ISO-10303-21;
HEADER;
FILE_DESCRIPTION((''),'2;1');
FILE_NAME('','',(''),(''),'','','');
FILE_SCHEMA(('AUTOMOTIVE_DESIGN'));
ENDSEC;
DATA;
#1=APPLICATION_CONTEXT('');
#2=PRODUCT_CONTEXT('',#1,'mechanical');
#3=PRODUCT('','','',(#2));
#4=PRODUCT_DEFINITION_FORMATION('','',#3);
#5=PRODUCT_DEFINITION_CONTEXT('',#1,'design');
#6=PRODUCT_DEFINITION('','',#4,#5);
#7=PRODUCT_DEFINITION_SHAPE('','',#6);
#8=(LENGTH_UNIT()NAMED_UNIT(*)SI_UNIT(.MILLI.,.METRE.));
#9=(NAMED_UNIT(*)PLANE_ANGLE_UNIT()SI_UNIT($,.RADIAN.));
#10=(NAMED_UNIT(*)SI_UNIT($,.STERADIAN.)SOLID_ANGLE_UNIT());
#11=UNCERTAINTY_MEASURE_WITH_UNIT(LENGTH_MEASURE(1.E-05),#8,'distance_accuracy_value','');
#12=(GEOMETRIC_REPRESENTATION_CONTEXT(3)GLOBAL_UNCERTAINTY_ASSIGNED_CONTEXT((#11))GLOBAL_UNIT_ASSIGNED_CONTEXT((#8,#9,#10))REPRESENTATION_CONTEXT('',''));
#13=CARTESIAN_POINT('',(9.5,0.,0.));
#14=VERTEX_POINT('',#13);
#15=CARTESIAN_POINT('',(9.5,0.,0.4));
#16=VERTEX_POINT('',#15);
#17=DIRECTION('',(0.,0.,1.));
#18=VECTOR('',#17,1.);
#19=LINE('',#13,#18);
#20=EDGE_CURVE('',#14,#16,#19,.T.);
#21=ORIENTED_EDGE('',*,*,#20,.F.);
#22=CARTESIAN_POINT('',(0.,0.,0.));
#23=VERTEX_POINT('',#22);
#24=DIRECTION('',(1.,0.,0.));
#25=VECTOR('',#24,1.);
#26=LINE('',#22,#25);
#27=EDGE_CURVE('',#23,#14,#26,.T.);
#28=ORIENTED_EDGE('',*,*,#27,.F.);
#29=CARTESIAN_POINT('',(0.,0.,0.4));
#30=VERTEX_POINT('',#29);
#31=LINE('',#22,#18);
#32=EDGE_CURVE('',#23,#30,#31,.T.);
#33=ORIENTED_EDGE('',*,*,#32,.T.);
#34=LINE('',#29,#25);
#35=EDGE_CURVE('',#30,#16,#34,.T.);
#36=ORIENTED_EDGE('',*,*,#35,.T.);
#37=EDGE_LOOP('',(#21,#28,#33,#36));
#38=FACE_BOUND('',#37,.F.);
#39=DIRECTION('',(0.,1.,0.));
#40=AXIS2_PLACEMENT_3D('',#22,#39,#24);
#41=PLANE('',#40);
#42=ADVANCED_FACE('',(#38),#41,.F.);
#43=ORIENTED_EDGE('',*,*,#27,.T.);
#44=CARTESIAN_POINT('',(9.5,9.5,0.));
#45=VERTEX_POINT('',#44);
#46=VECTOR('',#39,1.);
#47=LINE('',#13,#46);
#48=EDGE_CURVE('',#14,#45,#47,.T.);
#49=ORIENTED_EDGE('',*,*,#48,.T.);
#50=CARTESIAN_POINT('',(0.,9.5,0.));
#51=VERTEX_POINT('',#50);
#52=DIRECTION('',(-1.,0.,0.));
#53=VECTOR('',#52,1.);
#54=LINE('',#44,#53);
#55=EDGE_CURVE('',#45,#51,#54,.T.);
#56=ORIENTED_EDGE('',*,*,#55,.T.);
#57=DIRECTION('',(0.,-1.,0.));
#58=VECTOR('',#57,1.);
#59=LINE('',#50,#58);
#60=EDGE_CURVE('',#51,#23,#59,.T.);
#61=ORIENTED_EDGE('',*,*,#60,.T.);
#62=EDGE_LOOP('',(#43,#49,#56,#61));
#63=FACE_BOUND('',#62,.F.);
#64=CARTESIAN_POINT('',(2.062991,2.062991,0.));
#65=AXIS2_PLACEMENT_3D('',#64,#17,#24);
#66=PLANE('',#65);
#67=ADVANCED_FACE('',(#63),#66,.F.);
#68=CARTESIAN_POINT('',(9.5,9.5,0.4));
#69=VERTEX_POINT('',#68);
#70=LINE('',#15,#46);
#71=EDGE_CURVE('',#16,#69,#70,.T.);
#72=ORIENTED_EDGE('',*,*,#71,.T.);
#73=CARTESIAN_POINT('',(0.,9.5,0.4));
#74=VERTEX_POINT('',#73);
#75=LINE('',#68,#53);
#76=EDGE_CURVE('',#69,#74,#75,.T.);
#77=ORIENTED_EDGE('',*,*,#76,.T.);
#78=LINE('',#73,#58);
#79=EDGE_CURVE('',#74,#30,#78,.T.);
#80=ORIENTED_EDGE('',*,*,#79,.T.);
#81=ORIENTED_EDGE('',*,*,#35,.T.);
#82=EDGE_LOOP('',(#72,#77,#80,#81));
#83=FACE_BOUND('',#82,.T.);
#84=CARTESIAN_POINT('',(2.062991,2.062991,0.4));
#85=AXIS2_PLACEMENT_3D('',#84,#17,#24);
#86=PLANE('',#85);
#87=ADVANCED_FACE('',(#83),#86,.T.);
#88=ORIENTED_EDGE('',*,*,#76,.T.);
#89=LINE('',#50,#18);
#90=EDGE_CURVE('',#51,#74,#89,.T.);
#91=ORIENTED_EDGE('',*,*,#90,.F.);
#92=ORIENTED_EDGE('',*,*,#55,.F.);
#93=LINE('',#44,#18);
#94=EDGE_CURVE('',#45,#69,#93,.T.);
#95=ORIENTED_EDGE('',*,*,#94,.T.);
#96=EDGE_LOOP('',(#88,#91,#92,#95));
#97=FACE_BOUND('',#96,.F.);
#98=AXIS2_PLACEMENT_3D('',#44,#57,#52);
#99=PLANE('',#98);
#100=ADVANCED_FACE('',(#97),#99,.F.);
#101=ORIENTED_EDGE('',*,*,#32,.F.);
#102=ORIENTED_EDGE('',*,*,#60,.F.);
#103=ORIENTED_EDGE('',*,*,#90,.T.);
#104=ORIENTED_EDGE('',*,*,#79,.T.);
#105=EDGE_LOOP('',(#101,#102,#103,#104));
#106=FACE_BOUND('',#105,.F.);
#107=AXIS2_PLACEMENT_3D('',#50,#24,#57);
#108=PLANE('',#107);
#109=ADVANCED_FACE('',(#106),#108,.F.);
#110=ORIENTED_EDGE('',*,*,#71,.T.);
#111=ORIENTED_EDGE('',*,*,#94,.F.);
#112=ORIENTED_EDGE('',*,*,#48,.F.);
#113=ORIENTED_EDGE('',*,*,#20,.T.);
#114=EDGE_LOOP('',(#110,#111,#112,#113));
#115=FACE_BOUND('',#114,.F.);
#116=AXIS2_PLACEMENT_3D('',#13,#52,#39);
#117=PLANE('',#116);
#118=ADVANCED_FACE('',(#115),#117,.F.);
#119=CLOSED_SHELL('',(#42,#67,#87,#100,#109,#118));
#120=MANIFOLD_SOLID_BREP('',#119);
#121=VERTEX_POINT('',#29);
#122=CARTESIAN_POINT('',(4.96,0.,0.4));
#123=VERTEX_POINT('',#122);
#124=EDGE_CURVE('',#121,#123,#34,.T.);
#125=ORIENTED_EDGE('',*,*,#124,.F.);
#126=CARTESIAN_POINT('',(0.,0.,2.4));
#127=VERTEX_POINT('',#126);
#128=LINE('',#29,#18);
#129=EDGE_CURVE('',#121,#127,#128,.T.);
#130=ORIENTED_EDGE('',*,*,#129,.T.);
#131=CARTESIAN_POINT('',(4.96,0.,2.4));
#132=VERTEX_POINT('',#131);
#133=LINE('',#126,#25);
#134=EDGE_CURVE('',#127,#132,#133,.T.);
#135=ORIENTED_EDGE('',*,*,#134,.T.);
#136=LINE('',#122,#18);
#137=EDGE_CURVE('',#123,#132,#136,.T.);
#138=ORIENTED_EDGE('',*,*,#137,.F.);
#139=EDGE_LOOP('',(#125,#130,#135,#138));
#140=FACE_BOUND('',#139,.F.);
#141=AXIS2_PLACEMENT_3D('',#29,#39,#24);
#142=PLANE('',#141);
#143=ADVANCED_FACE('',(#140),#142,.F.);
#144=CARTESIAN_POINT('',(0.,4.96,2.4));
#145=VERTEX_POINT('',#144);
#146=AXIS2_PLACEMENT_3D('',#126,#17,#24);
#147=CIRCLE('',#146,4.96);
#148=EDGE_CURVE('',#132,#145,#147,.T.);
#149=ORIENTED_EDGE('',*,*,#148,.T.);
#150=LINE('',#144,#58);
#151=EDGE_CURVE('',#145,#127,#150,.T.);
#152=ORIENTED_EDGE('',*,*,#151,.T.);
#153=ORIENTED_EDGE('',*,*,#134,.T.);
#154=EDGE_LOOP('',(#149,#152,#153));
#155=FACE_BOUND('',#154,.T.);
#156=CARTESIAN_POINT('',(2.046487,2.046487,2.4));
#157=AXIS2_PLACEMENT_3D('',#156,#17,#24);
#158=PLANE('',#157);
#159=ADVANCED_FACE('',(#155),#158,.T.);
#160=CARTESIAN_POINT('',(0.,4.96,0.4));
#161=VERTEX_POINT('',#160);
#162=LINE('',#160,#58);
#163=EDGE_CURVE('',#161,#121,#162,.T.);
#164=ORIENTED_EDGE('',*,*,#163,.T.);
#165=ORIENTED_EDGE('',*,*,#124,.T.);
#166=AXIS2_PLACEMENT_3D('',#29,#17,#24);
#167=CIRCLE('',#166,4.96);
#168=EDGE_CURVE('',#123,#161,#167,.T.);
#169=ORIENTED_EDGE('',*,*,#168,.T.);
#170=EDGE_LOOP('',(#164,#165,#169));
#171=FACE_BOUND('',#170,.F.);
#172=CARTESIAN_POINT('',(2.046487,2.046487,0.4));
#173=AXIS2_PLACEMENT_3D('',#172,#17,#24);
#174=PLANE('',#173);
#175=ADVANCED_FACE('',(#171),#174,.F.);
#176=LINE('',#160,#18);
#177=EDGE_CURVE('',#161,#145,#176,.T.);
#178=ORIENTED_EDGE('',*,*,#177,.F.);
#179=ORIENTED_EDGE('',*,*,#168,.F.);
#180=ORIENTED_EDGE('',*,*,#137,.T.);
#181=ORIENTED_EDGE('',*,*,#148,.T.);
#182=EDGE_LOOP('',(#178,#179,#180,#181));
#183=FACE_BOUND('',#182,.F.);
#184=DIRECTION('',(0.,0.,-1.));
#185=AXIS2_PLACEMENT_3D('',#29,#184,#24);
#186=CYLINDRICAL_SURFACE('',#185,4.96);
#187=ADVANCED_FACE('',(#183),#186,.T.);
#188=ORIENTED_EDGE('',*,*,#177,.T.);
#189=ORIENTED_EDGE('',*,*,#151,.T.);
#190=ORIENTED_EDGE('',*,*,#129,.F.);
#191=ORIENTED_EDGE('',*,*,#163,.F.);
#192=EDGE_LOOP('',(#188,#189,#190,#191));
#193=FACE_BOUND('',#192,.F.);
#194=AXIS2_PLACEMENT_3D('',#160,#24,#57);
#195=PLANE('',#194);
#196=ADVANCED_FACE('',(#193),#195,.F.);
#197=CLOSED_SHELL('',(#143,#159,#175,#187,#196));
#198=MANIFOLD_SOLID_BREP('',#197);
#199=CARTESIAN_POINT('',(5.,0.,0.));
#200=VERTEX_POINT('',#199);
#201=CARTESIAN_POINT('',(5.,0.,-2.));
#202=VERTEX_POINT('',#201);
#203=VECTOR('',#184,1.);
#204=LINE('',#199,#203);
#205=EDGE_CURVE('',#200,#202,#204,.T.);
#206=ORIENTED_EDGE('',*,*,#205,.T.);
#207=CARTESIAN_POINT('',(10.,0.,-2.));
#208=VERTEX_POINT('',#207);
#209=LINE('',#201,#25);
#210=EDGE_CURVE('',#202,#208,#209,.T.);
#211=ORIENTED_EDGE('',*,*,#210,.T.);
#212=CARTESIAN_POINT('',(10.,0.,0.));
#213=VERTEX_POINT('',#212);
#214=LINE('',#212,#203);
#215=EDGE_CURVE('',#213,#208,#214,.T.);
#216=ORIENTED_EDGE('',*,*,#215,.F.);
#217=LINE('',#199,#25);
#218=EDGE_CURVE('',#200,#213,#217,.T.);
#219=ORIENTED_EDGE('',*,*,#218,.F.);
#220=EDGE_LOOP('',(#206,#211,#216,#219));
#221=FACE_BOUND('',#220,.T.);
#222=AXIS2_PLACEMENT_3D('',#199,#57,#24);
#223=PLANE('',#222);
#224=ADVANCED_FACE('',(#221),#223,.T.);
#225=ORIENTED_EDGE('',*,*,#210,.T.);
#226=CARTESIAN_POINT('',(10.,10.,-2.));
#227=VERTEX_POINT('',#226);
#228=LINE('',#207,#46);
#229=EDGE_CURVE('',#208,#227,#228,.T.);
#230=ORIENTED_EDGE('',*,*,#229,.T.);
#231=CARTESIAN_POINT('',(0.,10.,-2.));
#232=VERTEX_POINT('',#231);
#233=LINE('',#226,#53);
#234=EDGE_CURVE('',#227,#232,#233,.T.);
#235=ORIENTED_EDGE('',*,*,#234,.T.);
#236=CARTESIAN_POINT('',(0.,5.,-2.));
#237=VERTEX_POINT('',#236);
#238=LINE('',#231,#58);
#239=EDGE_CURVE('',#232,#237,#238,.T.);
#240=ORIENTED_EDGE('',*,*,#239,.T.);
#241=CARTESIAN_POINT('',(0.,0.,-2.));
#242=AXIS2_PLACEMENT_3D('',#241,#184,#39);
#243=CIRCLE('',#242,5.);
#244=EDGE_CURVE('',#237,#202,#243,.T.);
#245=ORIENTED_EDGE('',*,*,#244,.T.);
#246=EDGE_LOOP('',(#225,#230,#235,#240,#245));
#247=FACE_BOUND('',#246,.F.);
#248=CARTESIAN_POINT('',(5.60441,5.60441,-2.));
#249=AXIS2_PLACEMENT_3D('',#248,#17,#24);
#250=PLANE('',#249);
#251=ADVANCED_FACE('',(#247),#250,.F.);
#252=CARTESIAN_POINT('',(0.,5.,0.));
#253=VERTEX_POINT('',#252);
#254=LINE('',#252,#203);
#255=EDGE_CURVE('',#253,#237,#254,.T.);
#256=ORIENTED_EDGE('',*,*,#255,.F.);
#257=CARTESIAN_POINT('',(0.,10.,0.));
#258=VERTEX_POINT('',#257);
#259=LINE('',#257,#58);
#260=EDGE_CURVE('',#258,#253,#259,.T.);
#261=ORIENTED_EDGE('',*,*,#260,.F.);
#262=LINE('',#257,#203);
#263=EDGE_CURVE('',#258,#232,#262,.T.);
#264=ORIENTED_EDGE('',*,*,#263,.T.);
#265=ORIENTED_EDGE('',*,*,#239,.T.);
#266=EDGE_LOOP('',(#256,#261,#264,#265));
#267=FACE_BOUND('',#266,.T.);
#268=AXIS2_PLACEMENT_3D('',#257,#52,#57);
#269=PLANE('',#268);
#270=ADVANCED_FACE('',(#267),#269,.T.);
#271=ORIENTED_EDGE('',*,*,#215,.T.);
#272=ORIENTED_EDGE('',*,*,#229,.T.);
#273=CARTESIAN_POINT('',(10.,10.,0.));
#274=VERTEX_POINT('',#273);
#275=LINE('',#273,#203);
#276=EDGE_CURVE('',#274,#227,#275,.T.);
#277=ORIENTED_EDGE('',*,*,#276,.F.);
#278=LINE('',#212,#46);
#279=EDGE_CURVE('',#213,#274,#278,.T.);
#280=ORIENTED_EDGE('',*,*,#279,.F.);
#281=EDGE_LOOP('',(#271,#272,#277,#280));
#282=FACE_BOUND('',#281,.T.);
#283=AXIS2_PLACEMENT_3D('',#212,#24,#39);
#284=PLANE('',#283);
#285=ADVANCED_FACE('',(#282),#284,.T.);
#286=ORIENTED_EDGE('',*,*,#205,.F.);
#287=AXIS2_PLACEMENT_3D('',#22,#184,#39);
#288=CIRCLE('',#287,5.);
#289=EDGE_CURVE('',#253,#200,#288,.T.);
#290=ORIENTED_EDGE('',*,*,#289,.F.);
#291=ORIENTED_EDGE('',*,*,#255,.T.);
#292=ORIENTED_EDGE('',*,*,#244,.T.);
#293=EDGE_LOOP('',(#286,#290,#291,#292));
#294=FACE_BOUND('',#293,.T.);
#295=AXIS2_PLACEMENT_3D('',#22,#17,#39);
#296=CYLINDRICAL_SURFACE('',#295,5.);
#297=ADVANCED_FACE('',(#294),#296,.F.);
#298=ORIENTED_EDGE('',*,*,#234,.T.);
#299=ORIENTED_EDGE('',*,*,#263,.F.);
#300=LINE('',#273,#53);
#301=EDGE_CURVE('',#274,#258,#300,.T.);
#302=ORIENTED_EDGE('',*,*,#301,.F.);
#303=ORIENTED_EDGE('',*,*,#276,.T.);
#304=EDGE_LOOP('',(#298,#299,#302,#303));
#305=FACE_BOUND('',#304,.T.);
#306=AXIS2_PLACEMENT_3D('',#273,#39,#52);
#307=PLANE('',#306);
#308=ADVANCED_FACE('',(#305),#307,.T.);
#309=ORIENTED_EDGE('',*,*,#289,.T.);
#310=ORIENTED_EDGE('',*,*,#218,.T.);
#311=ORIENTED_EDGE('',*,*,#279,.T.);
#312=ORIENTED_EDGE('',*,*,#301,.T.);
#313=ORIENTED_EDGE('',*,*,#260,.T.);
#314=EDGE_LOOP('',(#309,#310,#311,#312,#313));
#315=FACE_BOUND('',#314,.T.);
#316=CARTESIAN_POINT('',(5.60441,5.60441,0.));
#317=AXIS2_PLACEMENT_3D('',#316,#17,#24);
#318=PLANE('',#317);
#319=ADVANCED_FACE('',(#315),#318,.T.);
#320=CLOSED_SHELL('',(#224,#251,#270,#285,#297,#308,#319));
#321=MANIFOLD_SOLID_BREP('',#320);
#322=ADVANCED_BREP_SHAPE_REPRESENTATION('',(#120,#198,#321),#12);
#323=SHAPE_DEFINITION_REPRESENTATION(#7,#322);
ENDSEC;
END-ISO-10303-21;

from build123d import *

# Parameters (mm, degrees)
F1_DEPTH = 2
F3_DEPTH = 0.4
F5_DEPTH = 2


with BuildPart() as f1:
    # F0 (on Top) → F1 (new body)
    with BuildSketch(Plane.XY):
        with BuildLine():
            ThreePointArc((0, 5), (3.5355339059, 3.5355339059), (5, 0))
            Line((5, 0), (10, 0))
            Line((10, 0), (10, 10))
            Line((10, 10), (0, 10))
            Line((0, 10), (0, 5))
        make_face()
    extrude(amount=-F1_DEPTH)


with BuildPart() as f3:
    # F2 (on face) → F3 (new body)
    with BuildSketch(Plane.XY):
        with BuildLine():
            Line((0, 5), (0, 0))
            Line((0, 0), (5, 0))
            ThreePointArc((5, 0), (3.5355339059, 3.5355339059), (0, 5))
        make_face()
        with BuildLine():
            ThreePointArc((0, 5), (3.5355339059, 3.5355339059), (5, 0))
            Line((5, 0), (9.5, 0))
            Line((9.5, 0), (9.5, 9.5))
            Line((9.5, 9.5), (0, 9.5))
            Line((0, 9.5), (0, 5))
        make_face()
    extrude(amount=F3_DEPTH)


with BuildPart() as f5:
    # F4 (on face) → F5 (new body)
    with BuildSketch(Plane.XY.offset(0.4)):
        with BuildLine():
            Line((0, 0), (4.96, 0))
            ThreePointArc((4.96, 0), (3.5072496347, 3.5072496347), (0, 4.96))
            Line((0, 4.96), (0, 0))
        make_face()
    extrude(amount=F5_DEPTH)


solid = Compound([f1.part, f3.part, f5.part])
